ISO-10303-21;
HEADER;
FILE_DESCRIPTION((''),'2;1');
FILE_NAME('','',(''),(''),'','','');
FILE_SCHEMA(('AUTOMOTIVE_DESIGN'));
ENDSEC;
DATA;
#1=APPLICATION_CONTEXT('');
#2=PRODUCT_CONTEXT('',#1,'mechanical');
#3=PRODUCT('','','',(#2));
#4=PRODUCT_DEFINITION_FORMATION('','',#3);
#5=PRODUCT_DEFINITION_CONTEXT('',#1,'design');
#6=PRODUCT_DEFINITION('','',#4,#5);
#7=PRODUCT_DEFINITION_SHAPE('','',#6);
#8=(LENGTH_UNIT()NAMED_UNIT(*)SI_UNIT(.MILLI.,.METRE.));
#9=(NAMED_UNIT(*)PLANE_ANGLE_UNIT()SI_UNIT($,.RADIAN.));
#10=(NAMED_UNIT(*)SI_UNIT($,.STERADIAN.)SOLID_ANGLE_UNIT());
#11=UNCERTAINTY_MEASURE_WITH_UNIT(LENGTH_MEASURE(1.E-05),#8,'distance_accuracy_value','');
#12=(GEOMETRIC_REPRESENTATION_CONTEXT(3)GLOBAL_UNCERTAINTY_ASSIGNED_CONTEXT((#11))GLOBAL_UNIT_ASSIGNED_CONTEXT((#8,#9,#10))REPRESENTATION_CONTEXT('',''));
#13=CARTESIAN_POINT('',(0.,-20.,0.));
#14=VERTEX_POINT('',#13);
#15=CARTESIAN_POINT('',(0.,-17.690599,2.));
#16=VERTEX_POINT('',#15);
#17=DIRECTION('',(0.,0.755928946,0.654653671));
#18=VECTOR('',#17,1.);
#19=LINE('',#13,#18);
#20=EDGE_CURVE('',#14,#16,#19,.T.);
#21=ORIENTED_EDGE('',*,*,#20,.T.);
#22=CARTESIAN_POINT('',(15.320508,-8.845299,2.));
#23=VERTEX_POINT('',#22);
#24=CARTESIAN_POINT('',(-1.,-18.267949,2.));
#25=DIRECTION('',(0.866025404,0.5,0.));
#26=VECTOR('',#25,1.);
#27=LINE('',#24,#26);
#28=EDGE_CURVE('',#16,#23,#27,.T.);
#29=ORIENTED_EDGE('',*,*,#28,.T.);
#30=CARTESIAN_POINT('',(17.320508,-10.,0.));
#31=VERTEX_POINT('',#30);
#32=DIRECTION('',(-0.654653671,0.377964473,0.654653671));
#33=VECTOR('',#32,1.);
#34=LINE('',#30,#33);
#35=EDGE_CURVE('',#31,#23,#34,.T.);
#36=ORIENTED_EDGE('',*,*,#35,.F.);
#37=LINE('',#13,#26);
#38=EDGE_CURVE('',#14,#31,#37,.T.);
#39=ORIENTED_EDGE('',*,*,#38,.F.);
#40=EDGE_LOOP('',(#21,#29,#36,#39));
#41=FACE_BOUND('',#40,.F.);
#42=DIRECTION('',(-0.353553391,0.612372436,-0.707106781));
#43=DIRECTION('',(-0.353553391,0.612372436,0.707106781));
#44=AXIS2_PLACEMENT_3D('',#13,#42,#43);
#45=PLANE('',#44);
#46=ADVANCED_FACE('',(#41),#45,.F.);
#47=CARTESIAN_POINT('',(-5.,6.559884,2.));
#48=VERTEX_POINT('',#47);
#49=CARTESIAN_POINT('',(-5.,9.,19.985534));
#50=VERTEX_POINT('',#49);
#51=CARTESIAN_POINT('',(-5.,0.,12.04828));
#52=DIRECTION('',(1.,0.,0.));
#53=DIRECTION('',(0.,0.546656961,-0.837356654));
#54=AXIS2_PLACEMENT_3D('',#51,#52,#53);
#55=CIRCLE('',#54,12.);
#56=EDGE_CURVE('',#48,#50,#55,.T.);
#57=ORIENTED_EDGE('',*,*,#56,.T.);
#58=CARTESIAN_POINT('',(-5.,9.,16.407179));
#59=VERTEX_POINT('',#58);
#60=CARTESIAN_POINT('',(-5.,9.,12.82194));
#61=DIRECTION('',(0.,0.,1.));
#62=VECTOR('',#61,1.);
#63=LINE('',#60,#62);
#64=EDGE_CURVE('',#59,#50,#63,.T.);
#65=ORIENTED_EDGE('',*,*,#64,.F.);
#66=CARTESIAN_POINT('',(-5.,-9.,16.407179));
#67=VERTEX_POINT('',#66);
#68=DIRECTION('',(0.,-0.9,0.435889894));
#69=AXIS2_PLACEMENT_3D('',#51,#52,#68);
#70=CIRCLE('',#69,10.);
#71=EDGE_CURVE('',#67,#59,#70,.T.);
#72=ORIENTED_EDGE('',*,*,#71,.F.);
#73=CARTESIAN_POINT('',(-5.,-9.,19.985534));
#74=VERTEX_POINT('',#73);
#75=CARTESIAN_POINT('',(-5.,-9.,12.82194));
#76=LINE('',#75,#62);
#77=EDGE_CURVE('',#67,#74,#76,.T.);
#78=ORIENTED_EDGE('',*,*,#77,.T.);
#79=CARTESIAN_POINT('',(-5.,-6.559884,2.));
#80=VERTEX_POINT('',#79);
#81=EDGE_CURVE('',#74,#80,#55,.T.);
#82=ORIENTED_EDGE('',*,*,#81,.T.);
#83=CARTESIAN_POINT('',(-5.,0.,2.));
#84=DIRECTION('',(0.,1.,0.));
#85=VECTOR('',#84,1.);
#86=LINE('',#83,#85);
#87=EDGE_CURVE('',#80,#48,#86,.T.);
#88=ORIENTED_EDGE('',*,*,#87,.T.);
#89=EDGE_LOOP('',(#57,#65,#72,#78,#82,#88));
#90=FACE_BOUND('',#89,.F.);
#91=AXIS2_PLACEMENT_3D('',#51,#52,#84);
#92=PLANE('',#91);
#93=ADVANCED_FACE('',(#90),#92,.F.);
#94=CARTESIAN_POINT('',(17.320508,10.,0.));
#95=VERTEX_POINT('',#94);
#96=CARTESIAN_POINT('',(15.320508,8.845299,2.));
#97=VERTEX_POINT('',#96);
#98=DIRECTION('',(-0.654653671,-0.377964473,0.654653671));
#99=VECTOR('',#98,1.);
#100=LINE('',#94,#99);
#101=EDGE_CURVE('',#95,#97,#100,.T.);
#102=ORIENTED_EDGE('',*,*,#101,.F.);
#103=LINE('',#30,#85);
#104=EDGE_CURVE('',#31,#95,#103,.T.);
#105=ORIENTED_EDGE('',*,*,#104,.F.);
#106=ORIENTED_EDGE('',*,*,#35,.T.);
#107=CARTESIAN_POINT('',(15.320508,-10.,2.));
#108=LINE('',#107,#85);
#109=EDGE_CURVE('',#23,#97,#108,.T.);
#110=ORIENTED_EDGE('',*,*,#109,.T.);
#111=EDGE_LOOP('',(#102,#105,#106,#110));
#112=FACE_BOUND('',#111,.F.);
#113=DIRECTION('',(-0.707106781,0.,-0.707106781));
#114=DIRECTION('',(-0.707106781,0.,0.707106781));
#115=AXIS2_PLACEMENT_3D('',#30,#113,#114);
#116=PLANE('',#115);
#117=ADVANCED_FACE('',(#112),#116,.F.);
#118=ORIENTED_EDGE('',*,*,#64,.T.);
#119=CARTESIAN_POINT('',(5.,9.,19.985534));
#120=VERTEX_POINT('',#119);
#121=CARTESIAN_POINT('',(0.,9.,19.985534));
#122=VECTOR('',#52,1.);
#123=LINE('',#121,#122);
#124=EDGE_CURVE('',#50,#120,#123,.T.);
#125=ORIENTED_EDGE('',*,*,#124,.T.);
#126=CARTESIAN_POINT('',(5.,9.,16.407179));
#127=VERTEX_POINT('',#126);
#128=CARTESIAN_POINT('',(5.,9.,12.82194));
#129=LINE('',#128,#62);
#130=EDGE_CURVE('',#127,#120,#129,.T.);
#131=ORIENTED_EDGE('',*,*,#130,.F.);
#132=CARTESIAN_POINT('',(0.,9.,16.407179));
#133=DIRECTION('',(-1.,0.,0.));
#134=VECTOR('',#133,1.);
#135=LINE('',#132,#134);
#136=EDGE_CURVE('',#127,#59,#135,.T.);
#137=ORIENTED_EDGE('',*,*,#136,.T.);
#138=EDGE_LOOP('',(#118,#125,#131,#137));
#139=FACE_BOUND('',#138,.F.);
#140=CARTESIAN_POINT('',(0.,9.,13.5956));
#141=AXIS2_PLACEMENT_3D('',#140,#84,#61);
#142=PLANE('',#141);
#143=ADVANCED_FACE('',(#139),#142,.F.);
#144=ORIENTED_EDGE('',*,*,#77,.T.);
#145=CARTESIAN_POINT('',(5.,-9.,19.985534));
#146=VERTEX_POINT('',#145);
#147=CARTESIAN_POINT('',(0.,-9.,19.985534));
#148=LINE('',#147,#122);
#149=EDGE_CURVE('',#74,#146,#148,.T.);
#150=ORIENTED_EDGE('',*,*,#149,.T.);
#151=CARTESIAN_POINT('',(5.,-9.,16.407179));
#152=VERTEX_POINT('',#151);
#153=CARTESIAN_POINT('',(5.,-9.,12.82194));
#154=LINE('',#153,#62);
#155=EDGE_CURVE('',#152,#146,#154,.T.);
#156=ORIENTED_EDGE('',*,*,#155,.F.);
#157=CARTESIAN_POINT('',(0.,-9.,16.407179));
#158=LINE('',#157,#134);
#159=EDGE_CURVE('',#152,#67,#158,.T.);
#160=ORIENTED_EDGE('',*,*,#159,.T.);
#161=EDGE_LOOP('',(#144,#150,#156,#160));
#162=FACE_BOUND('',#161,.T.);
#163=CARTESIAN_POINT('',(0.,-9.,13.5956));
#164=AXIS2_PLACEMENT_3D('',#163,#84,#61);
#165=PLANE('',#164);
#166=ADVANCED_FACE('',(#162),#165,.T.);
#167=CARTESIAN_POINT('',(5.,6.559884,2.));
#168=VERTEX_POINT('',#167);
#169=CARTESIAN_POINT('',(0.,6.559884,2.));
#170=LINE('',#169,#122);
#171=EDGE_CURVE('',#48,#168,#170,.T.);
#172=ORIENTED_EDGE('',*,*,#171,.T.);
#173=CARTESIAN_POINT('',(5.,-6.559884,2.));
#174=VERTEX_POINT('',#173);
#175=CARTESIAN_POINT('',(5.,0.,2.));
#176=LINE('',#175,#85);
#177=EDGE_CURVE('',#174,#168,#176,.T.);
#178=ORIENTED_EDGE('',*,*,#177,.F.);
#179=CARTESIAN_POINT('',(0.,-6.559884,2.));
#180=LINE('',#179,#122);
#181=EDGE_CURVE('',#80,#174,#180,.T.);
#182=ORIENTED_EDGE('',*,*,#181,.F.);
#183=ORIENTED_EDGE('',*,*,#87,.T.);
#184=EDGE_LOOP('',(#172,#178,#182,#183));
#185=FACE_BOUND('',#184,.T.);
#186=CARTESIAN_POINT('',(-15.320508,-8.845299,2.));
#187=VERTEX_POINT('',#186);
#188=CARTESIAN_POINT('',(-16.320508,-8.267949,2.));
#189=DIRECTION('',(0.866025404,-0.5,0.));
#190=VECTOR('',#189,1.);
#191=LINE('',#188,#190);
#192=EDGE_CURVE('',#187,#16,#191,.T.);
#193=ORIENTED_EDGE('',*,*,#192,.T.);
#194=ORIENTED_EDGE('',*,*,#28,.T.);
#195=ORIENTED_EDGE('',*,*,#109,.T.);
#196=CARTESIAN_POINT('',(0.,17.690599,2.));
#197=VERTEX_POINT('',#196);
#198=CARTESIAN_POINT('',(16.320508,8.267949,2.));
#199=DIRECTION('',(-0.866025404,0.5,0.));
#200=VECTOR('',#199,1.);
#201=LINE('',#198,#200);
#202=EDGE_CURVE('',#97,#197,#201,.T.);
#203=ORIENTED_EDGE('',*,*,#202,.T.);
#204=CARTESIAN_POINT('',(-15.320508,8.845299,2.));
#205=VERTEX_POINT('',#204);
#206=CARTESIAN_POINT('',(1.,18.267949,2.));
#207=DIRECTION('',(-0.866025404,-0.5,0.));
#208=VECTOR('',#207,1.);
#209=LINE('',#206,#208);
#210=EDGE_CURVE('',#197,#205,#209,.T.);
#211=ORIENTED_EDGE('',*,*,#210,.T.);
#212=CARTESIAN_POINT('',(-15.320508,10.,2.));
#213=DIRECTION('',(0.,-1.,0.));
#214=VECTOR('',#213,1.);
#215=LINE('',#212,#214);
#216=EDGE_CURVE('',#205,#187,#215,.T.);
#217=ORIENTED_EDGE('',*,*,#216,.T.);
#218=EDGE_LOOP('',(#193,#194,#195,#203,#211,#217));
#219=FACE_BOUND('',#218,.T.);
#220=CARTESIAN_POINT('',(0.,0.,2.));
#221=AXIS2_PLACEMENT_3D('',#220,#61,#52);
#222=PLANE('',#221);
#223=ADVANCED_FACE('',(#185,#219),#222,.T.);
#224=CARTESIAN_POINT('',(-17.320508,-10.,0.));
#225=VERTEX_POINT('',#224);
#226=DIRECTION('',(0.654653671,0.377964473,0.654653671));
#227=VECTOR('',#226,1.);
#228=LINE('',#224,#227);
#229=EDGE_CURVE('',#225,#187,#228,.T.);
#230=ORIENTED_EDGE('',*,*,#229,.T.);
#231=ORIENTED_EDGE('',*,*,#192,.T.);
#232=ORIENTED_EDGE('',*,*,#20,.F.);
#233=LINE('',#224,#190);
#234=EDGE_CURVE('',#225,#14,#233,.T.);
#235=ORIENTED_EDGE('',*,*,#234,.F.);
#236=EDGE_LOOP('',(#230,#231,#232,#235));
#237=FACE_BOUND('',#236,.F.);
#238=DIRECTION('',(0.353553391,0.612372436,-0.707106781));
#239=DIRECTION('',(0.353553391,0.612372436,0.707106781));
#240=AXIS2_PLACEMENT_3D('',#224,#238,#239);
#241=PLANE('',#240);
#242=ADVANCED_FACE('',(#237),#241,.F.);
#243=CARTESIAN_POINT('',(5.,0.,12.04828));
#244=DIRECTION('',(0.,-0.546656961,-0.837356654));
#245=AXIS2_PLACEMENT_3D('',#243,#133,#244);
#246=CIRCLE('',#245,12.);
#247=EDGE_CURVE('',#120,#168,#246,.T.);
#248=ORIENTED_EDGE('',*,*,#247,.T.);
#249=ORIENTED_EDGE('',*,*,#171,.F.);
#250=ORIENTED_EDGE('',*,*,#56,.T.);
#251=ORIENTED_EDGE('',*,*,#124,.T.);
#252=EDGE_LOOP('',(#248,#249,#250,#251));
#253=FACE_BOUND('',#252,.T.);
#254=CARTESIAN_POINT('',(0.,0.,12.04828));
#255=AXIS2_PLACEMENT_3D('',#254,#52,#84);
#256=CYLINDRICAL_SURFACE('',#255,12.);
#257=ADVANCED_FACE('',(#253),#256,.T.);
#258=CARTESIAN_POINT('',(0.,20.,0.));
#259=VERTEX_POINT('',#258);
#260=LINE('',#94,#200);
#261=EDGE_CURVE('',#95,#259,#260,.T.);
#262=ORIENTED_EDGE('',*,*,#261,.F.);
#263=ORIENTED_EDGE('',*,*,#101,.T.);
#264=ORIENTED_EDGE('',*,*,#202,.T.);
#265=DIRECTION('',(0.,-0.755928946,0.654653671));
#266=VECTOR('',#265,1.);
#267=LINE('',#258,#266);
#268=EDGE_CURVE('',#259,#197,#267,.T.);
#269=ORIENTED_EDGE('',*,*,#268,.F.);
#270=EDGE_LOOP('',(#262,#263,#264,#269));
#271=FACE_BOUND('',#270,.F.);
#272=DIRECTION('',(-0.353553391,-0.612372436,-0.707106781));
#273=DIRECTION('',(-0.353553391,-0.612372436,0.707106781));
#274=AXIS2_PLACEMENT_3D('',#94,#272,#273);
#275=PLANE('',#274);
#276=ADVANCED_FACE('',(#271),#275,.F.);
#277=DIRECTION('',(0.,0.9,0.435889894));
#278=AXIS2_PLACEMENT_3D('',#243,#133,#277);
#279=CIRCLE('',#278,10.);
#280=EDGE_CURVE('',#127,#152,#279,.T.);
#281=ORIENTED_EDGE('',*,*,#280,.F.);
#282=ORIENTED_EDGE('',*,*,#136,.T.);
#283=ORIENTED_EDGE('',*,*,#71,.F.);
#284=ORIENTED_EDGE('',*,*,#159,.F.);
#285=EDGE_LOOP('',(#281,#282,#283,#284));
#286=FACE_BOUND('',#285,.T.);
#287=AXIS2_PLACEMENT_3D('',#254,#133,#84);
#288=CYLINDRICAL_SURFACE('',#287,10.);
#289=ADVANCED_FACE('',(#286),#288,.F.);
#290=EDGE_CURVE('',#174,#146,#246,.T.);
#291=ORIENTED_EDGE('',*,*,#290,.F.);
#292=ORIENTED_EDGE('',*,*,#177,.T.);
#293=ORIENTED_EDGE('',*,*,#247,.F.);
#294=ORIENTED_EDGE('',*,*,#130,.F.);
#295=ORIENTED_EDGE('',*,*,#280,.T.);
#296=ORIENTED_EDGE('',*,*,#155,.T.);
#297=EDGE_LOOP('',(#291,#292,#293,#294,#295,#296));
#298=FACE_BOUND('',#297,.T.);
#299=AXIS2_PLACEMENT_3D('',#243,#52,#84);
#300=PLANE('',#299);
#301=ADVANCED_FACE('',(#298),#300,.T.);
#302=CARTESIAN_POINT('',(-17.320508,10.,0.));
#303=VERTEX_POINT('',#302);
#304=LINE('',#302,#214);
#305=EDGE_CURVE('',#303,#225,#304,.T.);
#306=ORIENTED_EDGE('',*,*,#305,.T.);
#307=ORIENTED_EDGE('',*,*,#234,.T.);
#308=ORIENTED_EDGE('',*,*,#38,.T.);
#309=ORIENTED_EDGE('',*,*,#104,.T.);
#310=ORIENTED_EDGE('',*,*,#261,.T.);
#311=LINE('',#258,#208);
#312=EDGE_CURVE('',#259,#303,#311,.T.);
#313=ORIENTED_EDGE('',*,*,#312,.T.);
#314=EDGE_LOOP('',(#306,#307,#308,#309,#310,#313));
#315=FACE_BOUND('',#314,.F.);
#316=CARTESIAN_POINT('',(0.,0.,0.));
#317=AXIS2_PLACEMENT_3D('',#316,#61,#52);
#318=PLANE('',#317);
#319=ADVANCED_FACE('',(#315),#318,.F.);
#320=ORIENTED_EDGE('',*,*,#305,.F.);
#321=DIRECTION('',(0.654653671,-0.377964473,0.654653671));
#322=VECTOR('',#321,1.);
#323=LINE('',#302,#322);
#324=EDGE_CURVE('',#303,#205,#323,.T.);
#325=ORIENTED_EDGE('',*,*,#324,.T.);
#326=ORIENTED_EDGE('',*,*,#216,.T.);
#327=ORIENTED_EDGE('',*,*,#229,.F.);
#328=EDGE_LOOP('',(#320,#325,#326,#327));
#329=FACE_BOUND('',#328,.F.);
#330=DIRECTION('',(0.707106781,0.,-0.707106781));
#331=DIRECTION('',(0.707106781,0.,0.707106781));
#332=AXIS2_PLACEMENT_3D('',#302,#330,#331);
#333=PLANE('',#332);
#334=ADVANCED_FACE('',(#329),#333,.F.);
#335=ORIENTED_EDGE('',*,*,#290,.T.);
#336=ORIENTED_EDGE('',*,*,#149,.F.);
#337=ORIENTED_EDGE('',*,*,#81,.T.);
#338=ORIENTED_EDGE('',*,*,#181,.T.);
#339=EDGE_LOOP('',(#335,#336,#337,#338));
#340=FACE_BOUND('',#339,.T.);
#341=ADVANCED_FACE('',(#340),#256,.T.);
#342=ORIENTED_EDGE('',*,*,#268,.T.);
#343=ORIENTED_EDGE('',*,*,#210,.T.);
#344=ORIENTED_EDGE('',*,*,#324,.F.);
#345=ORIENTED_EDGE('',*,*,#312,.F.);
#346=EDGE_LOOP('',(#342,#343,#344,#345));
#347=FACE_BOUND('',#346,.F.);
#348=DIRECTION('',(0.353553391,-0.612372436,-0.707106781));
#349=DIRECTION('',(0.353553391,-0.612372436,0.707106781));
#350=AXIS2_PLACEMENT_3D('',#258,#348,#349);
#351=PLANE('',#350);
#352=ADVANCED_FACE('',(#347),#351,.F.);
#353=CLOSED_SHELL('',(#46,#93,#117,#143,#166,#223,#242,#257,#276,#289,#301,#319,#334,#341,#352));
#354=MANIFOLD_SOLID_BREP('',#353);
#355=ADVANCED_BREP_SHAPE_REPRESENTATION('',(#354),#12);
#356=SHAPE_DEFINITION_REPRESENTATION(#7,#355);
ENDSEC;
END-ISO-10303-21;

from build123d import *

# Parameters (mm, degrees)
F1_DEPTH = 2
F1_TAPER = 45
F2_R     = 12
F2_R_2   = 10
F3_DEPTH = 5
F4_W     = 18
F4_H     = 18
F5_DEPTH = 12.5


with BuildPart() as f1:
    # F0 (on Top) → F1 (new body)
    with BuildSketch(Plane.XY):
        Polygon((-17.3205080757, -10), (0, -20), (17.3205080757, -10), (17.3205080757, 10), (0, 20), (-17.3205080757, 10), align=None)
    extrude(amount=F1_DEPTH, taper=F1_TAPER)

    # F2 (on Right) → F3 (join, symmetric)
    with BuildSketch(Plane.YZ):
        with Locations((0, 12.0482798538)):
            Circle(F2_R)
        with Locations((0, 12.0482798538)):
            Circle(F2_R_2, mode=Mode.SUBTRACT)
    extrude(amount=F3_DEPTH, both=True)

    # F4 (on Right) → F5 (cut, symmetric)
    with BuildSketch(Plane.YZ):
        with Locations((0, 22.5956004525)):
            Rectangle(F4_W, F4_H)
    extrude(amount=F5_DEPTH, both=True, mode=Mode.SUBTRACT)


solid = f1.part
